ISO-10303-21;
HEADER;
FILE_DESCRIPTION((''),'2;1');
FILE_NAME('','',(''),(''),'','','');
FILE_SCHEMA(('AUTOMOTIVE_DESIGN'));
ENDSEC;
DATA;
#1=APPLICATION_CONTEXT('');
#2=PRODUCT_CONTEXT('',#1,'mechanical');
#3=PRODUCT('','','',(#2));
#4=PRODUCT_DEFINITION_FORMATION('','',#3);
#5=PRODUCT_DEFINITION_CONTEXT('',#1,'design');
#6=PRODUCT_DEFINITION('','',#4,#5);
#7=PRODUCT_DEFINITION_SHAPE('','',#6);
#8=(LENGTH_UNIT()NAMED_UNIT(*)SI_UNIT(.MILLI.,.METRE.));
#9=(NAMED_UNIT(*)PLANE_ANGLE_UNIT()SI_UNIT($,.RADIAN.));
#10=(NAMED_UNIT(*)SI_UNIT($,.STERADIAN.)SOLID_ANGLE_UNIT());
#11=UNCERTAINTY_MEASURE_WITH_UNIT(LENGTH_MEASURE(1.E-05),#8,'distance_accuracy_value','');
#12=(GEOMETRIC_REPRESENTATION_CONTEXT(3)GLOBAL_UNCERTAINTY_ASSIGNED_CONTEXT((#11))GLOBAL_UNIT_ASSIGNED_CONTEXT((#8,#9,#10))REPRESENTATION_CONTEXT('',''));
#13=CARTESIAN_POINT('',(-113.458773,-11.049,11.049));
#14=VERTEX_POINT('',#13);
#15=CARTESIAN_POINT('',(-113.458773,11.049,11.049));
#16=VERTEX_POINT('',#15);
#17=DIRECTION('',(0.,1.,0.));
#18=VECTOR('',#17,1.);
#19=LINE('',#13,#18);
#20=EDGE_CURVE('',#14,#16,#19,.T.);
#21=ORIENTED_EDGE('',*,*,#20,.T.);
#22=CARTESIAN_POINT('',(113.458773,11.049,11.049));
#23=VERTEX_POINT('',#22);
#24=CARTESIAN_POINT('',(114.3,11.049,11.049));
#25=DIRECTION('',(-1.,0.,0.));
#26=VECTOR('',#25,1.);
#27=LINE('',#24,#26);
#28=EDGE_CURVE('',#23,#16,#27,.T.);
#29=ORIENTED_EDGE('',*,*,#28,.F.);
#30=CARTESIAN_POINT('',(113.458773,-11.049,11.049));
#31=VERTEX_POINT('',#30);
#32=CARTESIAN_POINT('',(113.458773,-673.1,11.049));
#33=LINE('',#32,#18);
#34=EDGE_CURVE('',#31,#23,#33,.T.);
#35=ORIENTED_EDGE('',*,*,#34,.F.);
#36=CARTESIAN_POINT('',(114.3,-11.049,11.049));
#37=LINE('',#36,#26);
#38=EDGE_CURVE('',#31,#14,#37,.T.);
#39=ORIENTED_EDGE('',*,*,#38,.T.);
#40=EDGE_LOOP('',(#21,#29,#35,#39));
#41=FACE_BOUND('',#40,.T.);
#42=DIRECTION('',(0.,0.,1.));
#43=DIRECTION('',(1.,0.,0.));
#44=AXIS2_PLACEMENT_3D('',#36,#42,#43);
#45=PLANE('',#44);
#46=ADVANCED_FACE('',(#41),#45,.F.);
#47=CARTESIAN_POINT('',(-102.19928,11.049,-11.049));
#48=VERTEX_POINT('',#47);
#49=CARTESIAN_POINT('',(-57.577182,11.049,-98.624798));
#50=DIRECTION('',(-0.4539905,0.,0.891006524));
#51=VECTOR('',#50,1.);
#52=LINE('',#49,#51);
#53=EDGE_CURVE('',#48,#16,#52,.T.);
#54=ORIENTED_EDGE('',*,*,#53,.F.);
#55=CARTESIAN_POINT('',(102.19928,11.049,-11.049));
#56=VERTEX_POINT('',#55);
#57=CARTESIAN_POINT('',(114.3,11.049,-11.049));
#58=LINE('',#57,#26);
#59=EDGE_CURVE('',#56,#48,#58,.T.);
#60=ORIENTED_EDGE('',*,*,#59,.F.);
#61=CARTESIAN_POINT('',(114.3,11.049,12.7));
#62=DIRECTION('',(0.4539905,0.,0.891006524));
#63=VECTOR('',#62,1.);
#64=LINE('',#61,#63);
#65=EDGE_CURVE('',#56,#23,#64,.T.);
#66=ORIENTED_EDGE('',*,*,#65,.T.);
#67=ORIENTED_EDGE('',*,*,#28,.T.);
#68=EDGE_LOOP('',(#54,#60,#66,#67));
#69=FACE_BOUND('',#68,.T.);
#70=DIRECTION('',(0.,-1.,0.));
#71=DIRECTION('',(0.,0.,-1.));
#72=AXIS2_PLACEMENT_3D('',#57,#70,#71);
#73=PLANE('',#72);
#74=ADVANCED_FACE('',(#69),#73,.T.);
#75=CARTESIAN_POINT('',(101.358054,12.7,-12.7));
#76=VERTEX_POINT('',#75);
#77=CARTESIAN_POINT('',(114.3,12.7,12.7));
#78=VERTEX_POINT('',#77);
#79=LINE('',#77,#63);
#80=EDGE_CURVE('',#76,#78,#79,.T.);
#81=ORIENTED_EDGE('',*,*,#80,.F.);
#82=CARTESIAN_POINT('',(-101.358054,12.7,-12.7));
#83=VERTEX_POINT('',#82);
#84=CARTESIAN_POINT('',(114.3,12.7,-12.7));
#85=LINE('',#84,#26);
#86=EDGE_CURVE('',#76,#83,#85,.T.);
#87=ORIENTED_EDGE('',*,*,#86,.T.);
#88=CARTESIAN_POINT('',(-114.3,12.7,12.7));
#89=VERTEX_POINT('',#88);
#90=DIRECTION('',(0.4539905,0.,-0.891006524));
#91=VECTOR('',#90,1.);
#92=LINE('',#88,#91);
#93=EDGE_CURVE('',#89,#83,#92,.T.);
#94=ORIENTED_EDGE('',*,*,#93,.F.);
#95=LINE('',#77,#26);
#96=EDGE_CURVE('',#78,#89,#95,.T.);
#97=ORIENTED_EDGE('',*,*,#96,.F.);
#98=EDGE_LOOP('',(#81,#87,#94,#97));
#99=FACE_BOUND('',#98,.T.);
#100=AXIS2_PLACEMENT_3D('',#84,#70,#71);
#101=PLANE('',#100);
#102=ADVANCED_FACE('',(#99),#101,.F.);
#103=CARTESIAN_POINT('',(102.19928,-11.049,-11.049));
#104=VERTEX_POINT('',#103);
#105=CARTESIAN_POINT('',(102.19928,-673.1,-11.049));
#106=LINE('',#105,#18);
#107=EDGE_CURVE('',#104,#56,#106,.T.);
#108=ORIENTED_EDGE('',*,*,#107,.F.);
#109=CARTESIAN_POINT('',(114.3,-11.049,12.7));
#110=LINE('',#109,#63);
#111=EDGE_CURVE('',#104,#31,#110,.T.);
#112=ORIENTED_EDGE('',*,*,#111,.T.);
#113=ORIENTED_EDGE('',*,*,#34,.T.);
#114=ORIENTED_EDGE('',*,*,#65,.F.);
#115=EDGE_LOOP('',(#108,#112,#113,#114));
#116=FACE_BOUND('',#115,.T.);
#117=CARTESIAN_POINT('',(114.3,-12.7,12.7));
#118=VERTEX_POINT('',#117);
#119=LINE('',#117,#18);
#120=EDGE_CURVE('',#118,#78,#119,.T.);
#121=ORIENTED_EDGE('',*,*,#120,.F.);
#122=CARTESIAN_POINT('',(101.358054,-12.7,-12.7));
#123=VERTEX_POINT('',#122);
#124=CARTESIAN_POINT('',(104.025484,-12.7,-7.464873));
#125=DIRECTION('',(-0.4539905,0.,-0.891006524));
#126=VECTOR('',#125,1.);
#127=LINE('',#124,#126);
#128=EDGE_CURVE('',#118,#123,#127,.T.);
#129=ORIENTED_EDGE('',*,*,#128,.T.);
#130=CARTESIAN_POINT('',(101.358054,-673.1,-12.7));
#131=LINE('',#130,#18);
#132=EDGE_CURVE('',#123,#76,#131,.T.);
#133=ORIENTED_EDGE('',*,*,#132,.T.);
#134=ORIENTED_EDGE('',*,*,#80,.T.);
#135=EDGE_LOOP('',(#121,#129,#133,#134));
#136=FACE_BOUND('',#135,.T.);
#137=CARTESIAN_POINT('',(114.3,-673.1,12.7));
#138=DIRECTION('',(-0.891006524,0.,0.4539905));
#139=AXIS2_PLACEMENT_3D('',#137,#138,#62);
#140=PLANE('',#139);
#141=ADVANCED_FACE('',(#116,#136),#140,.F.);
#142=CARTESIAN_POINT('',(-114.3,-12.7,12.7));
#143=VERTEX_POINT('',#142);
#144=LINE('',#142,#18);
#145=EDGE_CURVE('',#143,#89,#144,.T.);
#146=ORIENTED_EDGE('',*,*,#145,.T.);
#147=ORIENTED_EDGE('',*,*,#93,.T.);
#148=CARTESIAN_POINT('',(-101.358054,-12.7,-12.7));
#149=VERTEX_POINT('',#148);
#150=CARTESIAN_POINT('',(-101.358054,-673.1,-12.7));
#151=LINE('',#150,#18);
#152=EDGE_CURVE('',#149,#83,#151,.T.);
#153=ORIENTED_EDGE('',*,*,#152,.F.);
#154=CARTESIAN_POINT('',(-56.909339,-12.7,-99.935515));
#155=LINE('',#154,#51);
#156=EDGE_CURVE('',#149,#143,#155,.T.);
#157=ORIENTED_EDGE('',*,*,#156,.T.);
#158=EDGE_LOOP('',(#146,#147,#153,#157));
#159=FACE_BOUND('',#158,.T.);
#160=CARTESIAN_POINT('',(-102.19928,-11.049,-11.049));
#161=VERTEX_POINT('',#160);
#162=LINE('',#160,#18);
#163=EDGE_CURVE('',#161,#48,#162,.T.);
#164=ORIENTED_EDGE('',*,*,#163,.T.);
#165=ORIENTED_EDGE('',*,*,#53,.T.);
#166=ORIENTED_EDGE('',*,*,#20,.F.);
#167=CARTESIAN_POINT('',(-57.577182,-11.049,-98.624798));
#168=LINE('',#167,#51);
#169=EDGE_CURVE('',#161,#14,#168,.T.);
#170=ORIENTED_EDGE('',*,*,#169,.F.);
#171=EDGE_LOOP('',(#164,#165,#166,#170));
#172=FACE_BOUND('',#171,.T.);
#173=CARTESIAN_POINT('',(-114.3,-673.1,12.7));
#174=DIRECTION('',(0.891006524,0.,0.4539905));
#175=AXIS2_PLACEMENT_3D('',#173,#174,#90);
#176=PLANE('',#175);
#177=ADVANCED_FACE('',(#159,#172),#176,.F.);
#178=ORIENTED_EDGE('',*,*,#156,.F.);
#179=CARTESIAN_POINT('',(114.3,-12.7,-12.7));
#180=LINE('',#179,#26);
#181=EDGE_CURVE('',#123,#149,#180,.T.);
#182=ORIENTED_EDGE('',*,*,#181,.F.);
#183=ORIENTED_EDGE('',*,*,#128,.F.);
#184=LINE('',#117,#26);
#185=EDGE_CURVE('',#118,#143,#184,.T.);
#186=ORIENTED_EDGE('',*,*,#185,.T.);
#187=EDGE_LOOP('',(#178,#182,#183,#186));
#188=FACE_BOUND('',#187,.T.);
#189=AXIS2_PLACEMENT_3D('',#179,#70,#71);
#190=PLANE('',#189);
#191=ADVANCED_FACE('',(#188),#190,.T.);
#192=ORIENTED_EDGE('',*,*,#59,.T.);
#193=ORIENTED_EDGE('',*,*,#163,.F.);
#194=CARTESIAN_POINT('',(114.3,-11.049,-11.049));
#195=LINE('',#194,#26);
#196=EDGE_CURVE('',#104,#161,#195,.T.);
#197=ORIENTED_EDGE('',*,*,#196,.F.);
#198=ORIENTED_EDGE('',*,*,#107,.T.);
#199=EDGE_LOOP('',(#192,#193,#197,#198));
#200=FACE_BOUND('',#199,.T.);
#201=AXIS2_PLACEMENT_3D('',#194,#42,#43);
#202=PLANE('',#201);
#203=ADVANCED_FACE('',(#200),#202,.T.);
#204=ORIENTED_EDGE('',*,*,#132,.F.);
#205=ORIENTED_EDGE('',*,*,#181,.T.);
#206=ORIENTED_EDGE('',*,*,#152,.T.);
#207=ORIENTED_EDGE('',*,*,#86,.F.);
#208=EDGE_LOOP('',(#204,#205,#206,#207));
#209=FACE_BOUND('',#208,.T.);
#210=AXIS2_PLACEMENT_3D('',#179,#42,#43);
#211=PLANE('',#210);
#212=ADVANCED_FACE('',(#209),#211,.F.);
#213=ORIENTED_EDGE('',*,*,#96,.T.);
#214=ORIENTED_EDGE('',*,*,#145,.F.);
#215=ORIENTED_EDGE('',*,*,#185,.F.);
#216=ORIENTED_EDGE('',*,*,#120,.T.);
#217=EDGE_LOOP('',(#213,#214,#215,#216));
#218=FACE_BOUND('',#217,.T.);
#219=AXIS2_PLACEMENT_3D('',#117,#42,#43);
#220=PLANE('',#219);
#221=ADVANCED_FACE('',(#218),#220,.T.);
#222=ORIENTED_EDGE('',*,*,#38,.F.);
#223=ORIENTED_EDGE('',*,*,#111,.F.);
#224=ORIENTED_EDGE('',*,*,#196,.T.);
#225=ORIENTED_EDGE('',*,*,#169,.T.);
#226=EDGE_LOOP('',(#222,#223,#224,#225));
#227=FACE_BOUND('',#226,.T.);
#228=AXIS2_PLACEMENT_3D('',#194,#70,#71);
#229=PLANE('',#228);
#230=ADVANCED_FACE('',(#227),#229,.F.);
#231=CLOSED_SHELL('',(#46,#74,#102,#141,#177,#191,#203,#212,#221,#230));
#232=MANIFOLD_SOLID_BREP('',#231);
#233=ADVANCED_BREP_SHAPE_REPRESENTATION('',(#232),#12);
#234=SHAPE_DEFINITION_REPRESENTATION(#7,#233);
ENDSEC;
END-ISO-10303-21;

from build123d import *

# Parameters (mm, degrees)
SKETCH1_W           = 25.4
SKETCH1_H           = 25.4
BOSS_EXTRUDE1_DEPTH = 114.3
CUT_EXTRUDE1_DEPTH  = 685.8
SKETCH5_W           = 22.098
SKETCH5_H           = 22.098
CUT_EXTRUDE3_DEPTH  = 230.304470083
CUT_EXTRUDE4_DEPTH  = 685.8


with BuildPart() as part:
    # Sketch1 → Boss-Extrude1 (new, symmetric)
    with BuildSketch(Plane(origin=(0, 0, 0), x_dir=(0, 0, -1), z_dir=(1, 0, 0))):
        Rectangle(SKETCH1_W, SKETCH1_H)
    extrude(amount=BOSS_EXTRUDE1_DEPTH, both=True)

    # Sketch2 → Cut-Extrude1 (cut)
    with BuildSketch(Plane(origin=(0, 12.7, 0), x_dir=(1, 0, 0), z_dir=(0, 1, 0))):
        Polygon((114.3, -12.7), (101.358053583, 12.7), (114.3, 12.7), align=None)
    extrude(amount=-CUT_EXTRUDE1_DEPTH, mode=Mode.SUBTRACT)

    # Sketch5 → Cut-Extrude3 (cut, through all)
    with BuildSketch(Plane.ZY.offset(114.3)):
        Rectangle(SKETCH5_W, SKETCH5_H)
    extrude(amount=-CUT_EXTRUDE3_DEPTH, mode=Mode.SUBTRACT)

    # Sketch6 → Cut-Extrude4 (cut)
    with BuildSketch(Plane(origin=(0, 12.7, 0), x_dir=(1, 0, 0), z_dir=(0, 1, 0))):
        Polygon((-114.3, -12.7), (-101.358053583, 12.7), (-114.3, 12.7), align=None)
    extrude(amount=-CUT_EXTRUDE4_DEPTH, mode=Mode.SUBTRACT)


solid = part.part
